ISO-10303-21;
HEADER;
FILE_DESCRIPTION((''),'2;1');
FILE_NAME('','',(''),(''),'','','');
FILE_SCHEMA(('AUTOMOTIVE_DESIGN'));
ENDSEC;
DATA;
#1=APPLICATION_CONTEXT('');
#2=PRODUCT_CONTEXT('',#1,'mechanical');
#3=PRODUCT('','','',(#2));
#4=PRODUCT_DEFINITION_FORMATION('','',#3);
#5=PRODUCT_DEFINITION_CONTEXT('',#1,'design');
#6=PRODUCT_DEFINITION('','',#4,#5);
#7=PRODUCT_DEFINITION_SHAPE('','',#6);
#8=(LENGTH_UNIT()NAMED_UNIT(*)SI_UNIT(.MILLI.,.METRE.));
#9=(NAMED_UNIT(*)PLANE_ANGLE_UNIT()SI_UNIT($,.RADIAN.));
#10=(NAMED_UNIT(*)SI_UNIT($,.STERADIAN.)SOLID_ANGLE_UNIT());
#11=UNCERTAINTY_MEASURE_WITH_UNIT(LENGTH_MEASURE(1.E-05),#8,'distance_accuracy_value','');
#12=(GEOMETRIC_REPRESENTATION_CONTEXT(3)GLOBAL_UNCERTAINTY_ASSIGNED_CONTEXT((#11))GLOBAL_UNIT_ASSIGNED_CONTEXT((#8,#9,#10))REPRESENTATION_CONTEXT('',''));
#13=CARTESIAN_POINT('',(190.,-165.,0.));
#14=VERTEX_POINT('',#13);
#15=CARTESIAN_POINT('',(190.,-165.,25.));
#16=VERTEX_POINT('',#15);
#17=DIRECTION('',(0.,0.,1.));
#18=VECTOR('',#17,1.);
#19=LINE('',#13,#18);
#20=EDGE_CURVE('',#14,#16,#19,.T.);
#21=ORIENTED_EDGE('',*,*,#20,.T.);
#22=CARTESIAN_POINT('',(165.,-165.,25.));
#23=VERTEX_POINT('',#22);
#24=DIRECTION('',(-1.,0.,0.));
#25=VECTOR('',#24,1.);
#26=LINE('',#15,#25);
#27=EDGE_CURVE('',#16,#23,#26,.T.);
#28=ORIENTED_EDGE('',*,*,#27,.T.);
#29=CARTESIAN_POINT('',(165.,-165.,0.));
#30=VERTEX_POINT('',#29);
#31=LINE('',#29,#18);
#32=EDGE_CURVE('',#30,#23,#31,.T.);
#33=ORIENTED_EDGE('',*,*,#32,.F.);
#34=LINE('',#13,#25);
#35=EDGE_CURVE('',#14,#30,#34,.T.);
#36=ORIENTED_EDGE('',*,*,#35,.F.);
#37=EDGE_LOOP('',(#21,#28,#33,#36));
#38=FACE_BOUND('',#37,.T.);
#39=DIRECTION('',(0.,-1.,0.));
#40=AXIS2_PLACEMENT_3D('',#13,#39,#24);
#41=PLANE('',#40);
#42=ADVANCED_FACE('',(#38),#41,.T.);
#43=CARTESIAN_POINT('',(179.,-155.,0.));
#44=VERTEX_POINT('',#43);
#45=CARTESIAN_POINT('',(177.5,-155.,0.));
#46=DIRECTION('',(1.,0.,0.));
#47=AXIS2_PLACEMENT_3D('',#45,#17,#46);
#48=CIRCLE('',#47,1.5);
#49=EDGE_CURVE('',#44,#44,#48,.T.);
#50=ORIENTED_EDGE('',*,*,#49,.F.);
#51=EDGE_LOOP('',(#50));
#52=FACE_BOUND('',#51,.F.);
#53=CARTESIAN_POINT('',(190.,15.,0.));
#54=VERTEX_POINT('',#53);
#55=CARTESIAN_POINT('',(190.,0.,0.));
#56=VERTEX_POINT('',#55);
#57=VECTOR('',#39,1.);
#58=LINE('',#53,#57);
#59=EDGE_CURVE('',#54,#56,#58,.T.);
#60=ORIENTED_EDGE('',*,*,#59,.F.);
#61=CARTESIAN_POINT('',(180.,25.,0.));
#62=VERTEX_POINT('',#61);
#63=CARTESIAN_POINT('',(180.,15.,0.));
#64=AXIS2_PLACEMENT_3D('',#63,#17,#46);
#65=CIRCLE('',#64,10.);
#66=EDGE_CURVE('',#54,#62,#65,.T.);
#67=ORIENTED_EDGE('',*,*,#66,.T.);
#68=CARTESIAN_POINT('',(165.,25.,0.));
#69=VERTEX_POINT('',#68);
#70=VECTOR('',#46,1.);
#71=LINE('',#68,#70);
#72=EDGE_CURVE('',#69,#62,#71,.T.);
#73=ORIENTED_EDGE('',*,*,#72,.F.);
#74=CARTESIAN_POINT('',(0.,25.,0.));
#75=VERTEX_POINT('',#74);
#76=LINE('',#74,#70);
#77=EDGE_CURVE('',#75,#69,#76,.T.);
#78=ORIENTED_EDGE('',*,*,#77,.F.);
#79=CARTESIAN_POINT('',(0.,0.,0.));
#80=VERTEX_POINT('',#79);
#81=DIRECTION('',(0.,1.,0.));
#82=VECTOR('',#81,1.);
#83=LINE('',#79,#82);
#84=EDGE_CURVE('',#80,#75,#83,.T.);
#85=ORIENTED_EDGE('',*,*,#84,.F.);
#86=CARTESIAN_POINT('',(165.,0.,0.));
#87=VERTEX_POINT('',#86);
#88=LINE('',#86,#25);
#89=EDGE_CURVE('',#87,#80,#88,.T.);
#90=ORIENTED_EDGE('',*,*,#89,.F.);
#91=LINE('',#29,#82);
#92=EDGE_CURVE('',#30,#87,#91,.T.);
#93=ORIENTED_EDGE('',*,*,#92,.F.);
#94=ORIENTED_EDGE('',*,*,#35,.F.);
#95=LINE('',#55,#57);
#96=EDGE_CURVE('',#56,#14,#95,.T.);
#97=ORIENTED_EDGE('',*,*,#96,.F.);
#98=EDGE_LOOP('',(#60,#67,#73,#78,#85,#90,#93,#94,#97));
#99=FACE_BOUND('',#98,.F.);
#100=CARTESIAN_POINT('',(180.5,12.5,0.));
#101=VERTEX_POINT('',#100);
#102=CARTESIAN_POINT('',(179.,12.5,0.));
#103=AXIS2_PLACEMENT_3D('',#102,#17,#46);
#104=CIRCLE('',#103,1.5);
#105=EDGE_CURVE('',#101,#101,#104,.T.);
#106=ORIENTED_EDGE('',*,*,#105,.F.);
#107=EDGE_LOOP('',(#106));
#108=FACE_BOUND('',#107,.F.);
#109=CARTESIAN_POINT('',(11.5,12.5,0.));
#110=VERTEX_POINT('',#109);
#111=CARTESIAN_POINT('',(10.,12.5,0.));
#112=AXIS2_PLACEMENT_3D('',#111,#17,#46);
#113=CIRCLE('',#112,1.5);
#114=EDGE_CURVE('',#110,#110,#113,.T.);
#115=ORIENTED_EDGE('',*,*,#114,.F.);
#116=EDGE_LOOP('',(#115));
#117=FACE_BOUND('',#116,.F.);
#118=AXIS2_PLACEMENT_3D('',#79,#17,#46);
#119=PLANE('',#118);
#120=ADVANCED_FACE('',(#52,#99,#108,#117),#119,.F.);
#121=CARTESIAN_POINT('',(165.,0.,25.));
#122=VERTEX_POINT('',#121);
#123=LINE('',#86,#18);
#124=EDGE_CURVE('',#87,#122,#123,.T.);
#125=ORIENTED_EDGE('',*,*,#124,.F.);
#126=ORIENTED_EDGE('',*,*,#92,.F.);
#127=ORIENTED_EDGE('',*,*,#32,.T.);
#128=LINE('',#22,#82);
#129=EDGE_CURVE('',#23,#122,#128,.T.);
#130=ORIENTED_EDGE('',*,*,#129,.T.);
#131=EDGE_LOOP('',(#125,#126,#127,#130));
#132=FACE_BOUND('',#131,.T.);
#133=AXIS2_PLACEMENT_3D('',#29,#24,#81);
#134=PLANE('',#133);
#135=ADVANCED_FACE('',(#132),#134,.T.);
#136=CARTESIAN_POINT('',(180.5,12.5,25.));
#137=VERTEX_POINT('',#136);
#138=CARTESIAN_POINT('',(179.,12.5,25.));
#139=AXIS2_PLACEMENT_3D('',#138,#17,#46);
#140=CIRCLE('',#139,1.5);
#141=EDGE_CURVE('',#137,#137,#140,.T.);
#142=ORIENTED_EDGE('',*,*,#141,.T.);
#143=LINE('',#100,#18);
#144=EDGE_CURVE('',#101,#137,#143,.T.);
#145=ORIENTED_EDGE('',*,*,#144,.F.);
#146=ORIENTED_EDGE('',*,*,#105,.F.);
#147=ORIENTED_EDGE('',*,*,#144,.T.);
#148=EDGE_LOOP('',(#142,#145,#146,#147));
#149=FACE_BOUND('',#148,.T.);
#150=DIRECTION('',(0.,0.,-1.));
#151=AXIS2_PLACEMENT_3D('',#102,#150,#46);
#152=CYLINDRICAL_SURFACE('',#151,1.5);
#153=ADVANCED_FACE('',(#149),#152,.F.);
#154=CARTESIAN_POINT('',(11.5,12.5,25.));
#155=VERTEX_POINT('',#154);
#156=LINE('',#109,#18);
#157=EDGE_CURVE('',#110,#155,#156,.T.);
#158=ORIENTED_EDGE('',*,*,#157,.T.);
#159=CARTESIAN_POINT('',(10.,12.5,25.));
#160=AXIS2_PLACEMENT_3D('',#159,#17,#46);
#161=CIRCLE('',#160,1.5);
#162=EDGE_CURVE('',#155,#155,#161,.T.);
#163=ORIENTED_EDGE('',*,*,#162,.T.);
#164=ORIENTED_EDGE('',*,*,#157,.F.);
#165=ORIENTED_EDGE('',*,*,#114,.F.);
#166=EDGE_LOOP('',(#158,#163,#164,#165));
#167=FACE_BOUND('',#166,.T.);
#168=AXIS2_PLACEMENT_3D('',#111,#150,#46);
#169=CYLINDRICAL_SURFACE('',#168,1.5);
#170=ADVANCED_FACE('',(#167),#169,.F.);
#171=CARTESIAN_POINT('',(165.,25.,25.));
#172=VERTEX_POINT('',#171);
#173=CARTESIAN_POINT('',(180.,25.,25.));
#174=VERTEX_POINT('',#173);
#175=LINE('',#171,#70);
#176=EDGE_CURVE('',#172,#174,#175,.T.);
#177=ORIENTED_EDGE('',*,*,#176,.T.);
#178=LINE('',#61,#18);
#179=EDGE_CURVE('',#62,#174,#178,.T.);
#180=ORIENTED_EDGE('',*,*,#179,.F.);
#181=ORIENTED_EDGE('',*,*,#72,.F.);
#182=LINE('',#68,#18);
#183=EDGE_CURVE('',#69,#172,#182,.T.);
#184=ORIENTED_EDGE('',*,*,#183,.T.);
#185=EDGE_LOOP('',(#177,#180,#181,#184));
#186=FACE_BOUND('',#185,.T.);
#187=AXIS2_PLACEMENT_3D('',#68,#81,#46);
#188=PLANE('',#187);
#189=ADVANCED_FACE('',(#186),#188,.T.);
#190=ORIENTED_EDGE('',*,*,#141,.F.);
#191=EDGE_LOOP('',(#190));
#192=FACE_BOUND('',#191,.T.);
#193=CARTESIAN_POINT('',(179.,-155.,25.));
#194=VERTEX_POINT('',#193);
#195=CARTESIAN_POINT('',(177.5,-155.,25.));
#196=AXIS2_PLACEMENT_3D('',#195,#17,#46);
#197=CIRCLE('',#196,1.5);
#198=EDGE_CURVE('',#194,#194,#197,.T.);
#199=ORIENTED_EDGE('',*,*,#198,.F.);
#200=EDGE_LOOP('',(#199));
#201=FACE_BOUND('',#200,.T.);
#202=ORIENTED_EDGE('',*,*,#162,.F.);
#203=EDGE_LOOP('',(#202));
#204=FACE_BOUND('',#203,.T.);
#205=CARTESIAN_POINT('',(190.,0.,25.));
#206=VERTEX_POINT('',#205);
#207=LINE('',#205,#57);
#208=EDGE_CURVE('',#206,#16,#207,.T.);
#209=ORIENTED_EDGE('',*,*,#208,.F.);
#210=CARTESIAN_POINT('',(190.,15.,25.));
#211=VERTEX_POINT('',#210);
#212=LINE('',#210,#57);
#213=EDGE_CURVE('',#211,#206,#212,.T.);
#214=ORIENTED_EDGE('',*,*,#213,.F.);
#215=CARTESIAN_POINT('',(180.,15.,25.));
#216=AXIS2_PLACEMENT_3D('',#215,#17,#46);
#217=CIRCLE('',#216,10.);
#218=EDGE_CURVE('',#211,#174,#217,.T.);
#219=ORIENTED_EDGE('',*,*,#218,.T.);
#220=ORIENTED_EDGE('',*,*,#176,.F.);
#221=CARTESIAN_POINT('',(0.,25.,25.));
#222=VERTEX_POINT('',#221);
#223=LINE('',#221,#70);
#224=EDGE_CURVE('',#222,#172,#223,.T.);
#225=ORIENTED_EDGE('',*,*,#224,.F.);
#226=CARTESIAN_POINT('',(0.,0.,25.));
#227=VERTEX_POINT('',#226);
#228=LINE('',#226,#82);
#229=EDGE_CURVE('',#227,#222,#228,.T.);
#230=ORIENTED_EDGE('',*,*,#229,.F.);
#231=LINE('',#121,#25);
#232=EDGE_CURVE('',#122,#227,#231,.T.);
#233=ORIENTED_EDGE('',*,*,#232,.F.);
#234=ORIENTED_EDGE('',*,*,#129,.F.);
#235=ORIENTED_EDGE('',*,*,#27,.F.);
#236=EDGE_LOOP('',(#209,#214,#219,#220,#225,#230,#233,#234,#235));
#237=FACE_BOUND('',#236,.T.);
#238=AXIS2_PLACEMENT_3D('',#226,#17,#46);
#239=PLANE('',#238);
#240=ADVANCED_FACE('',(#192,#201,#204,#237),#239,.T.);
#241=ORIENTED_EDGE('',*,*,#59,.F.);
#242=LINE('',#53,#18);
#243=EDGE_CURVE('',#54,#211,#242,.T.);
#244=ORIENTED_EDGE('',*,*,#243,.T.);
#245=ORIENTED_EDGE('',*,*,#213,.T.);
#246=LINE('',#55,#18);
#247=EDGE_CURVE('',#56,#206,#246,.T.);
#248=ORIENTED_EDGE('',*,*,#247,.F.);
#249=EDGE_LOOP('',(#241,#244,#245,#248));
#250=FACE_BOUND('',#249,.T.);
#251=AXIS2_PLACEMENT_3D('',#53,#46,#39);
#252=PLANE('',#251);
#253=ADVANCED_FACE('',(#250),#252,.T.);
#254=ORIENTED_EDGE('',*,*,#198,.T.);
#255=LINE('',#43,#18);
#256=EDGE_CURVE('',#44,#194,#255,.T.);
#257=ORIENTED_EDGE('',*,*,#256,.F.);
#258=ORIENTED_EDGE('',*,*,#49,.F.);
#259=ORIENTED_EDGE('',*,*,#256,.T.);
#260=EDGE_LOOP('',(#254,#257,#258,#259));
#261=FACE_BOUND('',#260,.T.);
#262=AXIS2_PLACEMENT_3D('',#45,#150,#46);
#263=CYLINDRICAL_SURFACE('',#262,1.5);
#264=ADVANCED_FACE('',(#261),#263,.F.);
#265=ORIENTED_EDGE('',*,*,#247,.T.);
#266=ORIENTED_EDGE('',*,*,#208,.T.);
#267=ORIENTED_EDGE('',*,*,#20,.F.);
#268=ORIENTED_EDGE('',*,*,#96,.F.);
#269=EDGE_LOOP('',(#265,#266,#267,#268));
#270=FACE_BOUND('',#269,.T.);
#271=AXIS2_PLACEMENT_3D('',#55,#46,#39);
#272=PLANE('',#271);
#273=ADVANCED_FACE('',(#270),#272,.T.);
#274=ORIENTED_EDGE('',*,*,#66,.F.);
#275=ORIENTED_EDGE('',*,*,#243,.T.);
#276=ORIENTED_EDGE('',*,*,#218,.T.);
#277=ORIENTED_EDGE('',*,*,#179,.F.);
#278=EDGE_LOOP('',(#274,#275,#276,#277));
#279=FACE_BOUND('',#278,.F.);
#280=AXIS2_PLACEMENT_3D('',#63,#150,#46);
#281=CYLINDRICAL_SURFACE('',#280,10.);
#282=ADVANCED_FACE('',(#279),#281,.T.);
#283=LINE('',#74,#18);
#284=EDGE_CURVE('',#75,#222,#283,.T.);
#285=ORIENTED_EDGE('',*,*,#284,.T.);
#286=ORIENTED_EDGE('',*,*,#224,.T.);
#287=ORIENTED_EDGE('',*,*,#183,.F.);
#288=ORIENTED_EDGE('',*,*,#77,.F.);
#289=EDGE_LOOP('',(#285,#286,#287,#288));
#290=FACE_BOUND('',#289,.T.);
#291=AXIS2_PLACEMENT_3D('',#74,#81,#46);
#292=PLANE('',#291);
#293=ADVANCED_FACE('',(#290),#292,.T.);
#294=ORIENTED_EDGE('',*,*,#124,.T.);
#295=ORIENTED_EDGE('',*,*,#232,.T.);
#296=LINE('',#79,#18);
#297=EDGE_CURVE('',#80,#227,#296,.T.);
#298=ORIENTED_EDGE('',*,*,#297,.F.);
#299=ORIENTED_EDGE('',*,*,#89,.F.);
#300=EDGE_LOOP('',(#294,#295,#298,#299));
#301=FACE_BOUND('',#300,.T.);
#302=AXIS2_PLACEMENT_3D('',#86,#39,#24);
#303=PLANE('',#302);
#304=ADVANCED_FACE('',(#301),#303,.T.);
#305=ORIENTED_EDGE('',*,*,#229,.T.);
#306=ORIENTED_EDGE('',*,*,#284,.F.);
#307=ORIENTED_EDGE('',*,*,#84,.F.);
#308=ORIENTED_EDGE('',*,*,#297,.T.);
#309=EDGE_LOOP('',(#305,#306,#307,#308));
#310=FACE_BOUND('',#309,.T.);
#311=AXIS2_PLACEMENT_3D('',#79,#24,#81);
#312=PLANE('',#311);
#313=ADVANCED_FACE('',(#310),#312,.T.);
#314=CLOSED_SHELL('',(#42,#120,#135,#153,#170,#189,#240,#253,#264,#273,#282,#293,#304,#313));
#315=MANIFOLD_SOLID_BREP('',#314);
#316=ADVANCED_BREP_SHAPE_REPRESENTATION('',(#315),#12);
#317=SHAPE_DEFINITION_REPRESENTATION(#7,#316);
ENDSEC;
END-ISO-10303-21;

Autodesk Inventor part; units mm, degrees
ref_plane "YZ Plane" through (0, 0, 0) normal (1, 0, 0) x (0, 1, 0)
ref_plane "XZ Plane" through (0, 0, 0) normal (0, 1, 0) x (-1, 0, 0)
ref_plane "XY Plane" through (0, 0, 0) normal (0, 0, 1) x (1, 0, 0)
sketch "Sketch1" plane through (0, 0, 0) normal (0, 0, 1) x (1, 0, 0)
  line L0 (0, 0) -> (0, 25)
  line L1 (0, 25) -> (165, 25)
  line L2 (165, 0) -> (0, 0)
  line L3 (190, 0) -> (190, -165)
  line L4 (190, -165) -> (165, -165)
  line L5 (165, -165) -> (165, 0)
  line L6 (165, 25) -> (180, 25)
  line L7 (190, 15) -> (190, 0)
  circle A0 centre (10, 12.5) radius 1.5
  circle A1 centre (177.5, -155) radius 1.5
  circle A2 centre (179, 12.5) radius 1.5
  arc A3 (190, 23) -> (188, 25) centre (188, 23) ccw
  arc A4 (190, 15) -> (180, 25) centre (180, 15) ccw
  dimension "d0" = 25
  dimension "d1" = 165
  dimension "d2" = 25
  dimension "d3" = 165
  dimension "d6" = 3
  dimension "d7" = 3
  dimension "d8" = 3
  dimension "d9" = 2
  dimension "d10" = 10
extrude "Extrusion1" add sketch "Sketch1" along normal blind 25
properties part number "l almini"
